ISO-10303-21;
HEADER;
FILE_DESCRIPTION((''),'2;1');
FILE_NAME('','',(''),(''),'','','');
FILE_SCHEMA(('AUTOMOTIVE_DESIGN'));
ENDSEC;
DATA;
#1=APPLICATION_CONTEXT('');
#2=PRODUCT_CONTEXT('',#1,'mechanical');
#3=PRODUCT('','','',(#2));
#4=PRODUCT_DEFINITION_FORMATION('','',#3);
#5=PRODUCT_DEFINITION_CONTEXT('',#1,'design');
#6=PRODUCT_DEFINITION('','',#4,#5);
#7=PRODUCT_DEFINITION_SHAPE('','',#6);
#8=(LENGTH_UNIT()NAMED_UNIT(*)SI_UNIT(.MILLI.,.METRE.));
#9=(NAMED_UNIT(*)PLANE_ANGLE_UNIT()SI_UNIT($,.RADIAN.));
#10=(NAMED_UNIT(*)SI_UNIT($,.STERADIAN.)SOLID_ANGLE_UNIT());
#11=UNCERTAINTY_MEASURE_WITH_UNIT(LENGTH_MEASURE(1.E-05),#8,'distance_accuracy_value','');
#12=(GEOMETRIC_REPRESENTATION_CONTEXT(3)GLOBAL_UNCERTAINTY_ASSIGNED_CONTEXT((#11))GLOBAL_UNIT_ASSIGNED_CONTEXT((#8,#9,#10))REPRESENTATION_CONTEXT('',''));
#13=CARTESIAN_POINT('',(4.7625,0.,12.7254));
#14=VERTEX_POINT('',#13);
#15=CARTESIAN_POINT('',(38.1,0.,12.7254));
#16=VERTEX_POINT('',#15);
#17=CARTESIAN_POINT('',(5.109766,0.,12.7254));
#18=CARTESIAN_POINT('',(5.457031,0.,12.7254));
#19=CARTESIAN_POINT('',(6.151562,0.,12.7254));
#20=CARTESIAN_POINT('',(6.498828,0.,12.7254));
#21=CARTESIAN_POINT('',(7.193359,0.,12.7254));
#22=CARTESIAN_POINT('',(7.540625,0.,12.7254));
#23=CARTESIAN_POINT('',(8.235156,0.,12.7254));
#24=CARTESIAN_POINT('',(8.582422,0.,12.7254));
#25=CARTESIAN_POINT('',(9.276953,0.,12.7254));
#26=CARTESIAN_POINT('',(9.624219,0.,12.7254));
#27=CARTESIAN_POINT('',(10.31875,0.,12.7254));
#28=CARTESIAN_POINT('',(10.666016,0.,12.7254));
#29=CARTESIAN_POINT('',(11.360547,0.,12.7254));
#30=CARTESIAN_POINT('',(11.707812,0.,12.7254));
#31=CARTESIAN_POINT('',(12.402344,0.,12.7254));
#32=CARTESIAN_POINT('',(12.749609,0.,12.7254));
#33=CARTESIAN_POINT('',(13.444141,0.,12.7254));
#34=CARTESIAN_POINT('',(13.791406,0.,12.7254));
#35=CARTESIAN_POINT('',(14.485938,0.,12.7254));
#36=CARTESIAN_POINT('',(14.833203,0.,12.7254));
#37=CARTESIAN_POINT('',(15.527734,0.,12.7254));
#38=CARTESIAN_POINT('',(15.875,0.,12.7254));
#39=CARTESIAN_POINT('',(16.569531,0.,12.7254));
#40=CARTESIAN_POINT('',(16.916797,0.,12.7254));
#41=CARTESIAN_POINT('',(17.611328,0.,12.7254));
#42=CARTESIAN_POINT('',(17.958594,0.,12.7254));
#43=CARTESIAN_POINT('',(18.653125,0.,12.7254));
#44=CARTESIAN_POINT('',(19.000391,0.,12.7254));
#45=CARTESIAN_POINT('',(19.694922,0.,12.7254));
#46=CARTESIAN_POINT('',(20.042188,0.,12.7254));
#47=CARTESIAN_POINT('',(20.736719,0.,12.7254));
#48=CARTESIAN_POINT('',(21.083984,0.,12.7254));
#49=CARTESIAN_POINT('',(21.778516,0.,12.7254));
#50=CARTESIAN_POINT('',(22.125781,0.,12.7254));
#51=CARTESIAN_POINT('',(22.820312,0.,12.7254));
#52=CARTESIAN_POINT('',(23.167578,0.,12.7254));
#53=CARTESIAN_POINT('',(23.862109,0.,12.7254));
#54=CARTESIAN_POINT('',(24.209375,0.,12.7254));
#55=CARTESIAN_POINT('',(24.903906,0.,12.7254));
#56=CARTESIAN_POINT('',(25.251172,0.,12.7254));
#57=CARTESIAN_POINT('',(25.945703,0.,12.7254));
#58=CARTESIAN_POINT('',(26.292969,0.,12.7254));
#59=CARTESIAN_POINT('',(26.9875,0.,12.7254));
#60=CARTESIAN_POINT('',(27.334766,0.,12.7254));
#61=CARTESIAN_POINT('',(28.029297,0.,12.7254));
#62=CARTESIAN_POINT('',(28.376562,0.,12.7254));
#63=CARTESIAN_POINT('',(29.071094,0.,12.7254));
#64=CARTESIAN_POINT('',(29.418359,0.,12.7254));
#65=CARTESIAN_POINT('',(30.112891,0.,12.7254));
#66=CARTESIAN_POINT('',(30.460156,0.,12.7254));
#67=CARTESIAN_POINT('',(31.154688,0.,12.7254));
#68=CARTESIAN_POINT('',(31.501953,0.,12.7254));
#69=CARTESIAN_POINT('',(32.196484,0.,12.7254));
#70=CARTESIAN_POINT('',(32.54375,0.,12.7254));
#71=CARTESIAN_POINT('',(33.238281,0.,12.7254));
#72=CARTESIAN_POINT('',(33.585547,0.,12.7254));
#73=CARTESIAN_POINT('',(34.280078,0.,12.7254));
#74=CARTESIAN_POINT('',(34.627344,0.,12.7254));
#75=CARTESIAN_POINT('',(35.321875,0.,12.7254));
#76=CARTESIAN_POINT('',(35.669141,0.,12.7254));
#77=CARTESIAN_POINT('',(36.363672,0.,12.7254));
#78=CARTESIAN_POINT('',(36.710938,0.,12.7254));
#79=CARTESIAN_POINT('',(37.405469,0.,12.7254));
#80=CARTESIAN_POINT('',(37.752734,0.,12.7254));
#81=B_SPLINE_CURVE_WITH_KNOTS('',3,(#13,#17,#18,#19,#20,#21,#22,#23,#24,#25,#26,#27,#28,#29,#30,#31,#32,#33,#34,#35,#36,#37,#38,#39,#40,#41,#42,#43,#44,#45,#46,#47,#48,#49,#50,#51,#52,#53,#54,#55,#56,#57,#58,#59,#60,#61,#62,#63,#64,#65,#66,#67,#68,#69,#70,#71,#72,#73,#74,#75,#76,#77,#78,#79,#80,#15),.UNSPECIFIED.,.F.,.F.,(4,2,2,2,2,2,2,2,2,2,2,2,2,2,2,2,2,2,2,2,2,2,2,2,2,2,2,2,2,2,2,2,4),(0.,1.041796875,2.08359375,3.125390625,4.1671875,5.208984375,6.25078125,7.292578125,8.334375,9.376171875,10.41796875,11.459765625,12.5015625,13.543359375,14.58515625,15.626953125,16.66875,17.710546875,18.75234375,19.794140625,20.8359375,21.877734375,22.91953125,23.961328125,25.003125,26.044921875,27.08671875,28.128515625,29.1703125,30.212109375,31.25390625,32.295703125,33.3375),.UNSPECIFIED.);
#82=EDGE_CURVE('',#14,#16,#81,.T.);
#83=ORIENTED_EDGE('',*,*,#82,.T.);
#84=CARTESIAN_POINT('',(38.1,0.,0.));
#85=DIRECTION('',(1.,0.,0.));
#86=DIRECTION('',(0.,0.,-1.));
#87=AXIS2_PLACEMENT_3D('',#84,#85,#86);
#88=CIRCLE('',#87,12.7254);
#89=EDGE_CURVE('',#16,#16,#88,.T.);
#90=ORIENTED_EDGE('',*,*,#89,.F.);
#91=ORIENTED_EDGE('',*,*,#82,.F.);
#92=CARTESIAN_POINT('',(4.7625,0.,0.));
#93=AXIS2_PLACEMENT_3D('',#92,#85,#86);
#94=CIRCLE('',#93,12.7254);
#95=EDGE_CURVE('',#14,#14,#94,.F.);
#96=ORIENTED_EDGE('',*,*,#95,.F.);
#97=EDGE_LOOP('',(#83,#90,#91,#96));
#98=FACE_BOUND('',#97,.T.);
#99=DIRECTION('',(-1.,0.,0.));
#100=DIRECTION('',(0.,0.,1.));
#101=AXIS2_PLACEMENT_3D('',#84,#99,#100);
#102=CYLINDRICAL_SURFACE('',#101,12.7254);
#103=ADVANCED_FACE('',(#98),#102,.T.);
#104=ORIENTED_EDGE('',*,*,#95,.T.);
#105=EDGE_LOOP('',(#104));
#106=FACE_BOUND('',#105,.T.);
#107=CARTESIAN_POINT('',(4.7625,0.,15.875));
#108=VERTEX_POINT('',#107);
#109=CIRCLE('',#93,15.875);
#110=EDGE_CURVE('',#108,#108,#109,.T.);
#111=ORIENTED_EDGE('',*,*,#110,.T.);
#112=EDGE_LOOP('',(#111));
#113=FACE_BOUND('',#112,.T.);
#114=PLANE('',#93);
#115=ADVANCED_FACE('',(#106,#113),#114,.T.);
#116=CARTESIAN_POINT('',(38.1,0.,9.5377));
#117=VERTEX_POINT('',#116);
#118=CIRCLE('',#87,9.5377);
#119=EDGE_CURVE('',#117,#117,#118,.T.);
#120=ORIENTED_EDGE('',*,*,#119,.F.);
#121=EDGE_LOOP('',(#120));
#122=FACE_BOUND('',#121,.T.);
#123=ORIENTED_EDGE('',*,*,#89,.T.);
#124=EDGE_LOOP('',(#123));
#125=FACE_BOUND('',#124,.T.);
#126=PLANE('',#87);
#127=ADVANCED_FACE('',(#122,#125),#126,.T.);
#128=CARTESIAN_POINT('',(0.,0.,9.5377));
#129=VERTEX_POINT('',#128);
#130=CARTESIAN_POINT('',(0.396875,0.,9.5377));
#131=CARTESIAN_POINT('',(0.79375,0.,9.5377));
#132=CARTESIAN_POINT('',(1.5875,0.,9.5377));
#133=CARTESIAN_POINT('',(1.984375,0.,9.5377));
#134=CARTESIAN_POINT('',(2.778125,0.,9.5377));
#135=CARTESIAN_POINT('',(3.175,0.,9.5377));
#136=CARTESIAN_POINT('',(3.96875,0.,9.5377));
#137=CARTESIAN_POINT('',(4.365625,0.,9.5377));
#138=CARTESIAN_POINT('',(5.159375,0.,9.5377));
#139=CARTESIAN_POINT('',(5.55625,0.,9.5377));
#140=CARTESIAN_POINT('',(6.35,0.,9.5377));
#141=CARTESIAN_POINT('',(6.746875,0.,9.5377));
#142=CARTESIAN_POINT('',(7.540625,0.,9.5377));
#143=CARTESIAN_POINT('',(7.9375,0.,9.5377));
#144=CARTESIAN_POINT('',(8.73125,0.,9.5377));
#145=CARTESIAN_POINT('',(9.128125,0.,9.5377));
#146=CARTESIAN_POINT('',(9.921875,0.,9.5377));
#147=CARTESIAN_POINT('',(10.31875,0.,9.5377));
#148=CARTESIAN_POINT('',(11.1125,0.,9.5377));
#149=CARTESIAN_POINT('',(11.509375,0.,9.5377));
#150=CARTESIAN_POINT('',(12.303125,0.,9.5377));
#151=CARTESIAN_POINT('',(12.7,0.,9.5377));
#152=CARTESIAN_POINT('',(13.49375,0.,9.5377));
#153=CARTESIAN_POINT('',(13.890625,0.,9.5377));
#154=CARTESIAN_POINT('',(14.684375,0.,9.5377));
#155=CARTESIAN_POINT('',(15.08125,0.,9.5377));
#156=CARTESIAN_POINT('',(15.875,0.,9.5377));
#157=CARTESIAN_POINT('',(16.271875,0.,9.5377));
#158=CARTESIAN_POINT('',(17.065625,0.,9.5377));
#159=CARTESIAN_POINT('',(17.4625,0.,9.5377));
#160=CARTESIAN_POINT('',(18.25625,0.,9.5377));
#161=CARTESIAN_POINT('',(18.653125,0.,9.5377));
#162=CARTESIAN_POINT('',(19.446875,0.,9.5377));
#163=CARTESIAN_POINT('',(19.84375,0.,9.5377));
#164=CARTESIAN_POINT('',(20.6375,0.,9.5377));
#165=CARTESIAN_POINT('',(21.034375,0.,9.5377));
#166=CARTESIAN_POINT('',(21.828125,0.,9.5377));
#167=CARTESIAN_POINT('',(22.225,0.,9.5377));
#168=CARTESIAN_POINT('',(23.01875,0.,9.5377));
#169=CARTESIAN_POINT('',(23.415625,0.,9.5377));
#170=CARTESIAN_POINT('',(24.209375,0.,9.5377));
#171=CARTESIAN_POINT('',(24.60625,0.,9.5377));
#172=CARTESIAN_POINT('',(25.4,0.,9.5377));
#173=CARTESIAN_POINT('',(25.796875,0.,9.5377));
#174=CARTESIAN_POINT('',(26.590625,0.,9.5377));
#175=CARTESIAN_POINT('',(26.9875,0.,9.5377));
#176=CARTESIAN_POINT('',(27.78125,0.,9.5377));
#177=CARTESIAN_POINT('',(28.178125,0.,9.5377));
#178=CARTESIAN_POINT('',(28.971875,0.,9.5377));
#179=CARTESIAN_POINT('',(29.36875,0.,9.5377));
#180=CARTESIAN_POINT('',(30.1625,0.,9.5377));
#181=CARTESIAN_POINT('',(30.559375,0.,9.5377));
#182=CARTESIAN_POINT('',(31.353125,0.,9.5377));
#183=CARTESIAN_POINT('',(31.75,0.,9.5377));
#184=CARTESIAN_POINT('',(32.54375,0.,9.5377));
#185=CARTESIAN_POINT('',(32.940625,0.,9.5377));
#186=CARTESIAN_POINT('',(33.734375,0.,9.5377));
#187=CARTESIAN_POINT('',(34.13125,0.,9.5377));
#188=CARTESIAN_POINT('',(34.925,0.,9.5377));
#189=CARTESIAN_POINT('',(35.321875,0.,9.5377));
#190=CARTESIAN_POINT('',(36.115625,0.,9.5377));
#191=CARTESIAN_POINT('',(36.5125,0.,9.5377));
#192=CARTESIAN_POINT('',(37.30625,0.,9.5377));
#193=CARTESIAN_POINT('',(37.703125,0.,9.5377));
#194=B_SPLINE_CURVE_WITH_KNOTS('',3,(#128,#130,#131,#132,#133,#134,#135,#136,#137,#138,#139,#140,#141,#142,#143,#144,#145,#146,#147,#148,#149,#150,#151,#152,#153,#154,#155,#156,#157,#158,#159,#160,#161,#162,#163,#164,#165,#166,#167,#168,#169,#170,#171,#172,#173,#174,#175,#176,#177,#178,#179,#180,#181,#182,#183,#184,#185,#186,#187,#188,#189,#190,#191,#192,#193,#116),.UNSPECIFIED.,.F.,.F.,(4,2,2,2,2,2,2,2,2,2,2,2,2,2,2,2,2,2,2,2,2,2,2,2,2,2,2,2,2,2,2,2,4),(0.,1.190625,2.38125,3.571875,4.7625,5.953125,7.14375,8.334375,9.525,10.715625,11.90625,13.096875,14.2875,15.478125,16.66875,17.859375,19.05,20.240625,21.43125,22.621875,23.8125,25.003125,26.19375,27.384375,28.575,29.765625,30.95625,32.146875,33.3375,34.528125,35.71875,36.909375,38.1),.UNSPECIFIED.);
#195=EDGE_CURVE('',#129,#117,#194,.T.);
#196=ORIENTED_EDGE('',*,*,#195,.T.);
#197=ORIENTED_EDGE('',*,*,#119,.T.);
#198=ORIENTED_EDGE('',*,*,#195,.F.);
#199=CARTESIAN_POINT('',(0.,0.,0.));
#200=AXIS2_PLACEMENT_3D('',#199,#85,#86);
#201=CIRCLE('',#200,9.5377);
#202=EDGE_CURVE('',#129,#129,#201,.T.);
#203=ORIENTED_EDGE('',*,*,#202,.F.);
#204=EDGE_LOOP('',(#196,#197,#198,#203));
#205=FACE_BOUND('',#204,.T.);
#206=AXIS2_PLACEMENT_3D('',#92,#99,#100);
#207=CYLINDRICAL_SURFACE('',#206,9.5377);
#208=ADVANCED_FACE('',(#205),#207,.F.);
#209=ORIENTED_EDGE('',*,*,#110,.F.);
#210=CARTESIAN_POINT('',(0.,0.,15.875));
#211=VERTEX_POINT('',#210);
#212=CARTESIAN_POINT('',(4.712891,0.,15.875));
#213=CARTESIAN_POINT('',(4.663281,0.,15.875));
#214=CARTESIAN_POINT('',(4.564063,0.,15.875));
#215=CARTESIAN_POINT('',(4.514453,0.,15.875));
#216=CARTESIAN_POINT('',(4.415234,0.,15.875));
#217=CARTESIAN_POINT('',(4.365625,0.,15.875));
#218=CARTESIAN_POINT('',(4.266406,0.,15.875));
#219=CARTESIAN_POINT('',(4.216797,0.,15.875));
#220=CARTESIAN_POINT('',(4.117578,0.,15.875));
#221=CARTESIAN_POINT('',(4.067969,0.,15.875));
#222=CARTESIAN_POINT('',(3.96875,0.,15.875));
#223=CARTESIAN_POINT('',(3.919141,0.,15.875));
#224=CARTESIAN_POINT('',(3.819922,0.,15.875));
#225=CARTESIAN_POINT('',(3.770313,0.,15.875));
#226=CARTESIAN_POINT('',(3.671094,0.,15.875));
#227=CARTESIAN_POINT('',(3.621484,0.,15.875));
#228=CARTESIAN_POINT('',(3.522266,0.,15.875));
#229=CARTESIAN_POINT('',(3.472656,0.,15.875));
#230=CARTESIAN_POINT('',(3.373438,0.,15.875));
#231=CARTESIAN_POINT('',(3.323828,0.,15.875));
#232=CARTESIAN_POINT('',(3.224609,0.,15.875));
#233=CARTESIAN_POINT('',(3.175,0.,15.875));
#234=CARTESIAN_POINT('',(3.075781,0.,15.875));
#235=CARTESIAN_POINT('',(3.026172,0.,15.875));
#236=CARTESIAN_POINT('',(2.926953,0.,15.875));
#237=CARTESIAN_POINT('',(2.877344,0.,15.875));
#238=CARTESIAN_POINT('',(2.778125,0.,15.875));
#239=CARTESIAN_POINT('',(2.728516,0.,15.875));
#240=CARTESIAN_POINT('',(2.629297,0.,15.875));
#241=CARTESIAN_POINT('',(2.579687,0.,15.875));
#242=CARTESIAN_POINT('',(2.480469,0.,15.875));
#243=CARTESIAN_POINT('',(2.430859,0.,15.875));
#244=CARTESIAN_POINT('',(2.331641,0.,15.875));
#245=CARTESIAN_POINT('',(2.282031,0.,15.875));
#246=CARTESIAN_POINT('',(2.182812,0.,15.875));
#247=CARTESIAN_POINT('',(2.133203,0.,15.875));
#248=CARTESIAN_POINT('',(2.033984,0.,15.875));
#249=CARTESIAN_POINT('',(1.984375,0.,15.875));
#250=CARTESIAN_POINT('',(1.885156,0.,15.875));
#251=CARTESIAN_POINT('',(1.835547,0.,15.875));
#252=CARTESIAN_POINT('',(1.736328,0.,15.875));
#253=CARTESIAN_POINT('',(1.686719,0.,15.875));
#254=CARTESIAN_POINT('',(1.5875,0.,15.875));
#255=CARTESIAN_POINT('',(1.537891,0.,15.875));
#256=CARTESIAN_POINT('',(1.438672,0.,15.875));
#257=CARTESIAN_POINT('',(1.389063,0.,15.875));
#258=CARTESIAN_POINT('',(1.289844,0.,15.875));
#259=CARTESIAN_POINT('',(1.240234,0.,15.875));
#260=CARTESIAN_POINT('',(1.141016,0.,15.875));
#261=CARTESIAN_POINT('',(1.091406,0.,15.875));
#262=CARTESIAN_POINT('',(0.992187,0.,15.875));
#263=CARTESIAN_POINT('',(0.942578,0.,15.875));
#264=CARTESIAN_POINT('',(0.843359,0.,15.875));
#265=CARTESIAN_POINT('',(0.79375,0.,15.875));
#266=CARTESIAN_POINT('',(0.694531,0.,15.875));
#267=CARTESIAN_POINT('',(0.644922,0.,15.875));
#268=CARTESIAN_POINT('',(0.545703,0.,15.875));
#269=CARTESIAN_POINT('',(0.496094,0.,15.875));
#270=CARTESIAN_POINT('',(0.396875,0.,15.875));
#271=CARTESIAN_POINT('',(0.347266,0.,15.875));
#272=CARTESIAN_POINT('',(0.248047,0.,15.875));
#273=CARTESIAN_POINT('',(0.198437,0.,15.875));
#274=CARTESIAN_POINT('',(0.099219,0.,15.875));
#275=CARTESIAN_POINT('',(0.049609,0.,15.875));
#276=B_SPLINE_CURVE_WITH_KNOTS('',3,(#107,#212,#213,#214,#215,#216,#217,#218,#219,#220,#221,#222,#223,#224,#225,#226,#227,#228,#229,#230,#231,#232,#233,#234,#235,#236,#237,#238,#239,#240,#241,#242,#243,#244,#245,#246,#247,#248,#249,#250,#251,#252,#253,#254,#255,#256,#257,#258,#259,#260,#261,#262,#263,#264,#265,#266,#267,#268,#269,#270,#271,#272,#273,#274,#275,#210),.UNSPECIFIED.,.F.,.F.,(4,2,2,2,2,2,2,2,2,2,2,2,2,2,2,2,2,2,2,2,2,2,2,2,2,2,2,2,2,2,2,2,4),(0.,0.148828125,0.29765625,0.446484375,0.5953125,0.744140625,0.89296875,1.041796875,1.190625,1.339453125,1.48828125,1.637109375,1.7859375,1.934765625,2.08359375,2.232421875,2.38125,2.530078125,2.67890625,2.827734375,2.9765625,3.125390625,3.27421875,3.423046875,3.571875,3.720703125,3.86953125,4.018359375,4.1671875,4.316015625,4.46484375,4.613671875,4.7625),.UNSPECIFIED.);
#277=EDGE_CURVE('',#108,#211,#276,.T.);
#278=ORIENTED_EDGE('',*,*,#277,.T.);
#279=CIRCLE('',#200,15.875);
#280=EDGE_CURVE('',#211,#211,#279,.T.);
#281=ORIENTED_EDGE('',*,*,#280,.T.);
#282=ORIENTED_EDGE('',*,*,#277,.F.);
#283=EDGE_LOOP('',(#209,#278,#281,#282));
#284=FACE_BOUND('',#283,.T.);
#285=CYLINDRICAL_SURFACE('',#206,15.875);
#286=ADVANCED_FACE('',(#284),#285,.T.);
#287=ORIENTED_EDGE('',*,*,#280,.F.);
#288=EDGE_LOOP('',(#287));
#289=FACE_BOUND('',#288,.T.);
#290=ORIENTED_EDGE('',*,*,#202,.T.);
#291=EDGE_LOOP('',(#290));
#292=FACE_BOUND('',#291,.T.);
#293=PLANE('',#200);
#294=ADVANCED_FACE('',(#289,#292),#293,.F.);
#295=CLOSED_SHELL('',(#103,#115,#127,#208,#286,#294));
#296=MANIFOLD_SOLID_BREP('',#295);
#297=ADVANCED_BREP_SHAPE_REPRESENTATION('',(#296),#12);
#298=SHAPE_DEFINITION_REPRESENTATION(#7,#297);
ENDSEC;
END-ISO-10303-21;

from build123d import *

# Parameters (mm, degrees)
SKETCH1_R           = 15.875
SKETCH1_R_2         = 9.5377
BOSS_EXTRUDE1_DEPTH = 4.7625
SKETCH1_3_R         = 12.7254
SKETCH1_3_R_2       = 9.5377
BOSS_EXTRUDE2_DEPTH = 38.1


with BuildPart() as part:
    # Sketch1 → Boss-Extrude1 (new body)
    with BuildSketch(Plane(origin=(0, 0, 0), x_dir=(0, 0, -1), z_dir=(1, 0, 0))):
        Circle(SKETCH1_R)
        Circle(SKETCH1_R_2, mode=Mode.SUBTRACT)
    extrude(amount=BOSS_EXTRUDE1_DEPTH)

    # Sketch1<3> → Boss-Extrude2 (add)
    with BuildSketch(Plane(origin=(0, 0, 0), x_dir=(0, 0, -1), z_dir=(1, 0, 0))):
        Circle(SKETCH1_3_R)
        Circle(SKETCH1_3_R_2, mode=Mode.SUBTRACT)
    extrude(amount=BOSS_EXTRUDE2_DEPTH)


solid = part.part
